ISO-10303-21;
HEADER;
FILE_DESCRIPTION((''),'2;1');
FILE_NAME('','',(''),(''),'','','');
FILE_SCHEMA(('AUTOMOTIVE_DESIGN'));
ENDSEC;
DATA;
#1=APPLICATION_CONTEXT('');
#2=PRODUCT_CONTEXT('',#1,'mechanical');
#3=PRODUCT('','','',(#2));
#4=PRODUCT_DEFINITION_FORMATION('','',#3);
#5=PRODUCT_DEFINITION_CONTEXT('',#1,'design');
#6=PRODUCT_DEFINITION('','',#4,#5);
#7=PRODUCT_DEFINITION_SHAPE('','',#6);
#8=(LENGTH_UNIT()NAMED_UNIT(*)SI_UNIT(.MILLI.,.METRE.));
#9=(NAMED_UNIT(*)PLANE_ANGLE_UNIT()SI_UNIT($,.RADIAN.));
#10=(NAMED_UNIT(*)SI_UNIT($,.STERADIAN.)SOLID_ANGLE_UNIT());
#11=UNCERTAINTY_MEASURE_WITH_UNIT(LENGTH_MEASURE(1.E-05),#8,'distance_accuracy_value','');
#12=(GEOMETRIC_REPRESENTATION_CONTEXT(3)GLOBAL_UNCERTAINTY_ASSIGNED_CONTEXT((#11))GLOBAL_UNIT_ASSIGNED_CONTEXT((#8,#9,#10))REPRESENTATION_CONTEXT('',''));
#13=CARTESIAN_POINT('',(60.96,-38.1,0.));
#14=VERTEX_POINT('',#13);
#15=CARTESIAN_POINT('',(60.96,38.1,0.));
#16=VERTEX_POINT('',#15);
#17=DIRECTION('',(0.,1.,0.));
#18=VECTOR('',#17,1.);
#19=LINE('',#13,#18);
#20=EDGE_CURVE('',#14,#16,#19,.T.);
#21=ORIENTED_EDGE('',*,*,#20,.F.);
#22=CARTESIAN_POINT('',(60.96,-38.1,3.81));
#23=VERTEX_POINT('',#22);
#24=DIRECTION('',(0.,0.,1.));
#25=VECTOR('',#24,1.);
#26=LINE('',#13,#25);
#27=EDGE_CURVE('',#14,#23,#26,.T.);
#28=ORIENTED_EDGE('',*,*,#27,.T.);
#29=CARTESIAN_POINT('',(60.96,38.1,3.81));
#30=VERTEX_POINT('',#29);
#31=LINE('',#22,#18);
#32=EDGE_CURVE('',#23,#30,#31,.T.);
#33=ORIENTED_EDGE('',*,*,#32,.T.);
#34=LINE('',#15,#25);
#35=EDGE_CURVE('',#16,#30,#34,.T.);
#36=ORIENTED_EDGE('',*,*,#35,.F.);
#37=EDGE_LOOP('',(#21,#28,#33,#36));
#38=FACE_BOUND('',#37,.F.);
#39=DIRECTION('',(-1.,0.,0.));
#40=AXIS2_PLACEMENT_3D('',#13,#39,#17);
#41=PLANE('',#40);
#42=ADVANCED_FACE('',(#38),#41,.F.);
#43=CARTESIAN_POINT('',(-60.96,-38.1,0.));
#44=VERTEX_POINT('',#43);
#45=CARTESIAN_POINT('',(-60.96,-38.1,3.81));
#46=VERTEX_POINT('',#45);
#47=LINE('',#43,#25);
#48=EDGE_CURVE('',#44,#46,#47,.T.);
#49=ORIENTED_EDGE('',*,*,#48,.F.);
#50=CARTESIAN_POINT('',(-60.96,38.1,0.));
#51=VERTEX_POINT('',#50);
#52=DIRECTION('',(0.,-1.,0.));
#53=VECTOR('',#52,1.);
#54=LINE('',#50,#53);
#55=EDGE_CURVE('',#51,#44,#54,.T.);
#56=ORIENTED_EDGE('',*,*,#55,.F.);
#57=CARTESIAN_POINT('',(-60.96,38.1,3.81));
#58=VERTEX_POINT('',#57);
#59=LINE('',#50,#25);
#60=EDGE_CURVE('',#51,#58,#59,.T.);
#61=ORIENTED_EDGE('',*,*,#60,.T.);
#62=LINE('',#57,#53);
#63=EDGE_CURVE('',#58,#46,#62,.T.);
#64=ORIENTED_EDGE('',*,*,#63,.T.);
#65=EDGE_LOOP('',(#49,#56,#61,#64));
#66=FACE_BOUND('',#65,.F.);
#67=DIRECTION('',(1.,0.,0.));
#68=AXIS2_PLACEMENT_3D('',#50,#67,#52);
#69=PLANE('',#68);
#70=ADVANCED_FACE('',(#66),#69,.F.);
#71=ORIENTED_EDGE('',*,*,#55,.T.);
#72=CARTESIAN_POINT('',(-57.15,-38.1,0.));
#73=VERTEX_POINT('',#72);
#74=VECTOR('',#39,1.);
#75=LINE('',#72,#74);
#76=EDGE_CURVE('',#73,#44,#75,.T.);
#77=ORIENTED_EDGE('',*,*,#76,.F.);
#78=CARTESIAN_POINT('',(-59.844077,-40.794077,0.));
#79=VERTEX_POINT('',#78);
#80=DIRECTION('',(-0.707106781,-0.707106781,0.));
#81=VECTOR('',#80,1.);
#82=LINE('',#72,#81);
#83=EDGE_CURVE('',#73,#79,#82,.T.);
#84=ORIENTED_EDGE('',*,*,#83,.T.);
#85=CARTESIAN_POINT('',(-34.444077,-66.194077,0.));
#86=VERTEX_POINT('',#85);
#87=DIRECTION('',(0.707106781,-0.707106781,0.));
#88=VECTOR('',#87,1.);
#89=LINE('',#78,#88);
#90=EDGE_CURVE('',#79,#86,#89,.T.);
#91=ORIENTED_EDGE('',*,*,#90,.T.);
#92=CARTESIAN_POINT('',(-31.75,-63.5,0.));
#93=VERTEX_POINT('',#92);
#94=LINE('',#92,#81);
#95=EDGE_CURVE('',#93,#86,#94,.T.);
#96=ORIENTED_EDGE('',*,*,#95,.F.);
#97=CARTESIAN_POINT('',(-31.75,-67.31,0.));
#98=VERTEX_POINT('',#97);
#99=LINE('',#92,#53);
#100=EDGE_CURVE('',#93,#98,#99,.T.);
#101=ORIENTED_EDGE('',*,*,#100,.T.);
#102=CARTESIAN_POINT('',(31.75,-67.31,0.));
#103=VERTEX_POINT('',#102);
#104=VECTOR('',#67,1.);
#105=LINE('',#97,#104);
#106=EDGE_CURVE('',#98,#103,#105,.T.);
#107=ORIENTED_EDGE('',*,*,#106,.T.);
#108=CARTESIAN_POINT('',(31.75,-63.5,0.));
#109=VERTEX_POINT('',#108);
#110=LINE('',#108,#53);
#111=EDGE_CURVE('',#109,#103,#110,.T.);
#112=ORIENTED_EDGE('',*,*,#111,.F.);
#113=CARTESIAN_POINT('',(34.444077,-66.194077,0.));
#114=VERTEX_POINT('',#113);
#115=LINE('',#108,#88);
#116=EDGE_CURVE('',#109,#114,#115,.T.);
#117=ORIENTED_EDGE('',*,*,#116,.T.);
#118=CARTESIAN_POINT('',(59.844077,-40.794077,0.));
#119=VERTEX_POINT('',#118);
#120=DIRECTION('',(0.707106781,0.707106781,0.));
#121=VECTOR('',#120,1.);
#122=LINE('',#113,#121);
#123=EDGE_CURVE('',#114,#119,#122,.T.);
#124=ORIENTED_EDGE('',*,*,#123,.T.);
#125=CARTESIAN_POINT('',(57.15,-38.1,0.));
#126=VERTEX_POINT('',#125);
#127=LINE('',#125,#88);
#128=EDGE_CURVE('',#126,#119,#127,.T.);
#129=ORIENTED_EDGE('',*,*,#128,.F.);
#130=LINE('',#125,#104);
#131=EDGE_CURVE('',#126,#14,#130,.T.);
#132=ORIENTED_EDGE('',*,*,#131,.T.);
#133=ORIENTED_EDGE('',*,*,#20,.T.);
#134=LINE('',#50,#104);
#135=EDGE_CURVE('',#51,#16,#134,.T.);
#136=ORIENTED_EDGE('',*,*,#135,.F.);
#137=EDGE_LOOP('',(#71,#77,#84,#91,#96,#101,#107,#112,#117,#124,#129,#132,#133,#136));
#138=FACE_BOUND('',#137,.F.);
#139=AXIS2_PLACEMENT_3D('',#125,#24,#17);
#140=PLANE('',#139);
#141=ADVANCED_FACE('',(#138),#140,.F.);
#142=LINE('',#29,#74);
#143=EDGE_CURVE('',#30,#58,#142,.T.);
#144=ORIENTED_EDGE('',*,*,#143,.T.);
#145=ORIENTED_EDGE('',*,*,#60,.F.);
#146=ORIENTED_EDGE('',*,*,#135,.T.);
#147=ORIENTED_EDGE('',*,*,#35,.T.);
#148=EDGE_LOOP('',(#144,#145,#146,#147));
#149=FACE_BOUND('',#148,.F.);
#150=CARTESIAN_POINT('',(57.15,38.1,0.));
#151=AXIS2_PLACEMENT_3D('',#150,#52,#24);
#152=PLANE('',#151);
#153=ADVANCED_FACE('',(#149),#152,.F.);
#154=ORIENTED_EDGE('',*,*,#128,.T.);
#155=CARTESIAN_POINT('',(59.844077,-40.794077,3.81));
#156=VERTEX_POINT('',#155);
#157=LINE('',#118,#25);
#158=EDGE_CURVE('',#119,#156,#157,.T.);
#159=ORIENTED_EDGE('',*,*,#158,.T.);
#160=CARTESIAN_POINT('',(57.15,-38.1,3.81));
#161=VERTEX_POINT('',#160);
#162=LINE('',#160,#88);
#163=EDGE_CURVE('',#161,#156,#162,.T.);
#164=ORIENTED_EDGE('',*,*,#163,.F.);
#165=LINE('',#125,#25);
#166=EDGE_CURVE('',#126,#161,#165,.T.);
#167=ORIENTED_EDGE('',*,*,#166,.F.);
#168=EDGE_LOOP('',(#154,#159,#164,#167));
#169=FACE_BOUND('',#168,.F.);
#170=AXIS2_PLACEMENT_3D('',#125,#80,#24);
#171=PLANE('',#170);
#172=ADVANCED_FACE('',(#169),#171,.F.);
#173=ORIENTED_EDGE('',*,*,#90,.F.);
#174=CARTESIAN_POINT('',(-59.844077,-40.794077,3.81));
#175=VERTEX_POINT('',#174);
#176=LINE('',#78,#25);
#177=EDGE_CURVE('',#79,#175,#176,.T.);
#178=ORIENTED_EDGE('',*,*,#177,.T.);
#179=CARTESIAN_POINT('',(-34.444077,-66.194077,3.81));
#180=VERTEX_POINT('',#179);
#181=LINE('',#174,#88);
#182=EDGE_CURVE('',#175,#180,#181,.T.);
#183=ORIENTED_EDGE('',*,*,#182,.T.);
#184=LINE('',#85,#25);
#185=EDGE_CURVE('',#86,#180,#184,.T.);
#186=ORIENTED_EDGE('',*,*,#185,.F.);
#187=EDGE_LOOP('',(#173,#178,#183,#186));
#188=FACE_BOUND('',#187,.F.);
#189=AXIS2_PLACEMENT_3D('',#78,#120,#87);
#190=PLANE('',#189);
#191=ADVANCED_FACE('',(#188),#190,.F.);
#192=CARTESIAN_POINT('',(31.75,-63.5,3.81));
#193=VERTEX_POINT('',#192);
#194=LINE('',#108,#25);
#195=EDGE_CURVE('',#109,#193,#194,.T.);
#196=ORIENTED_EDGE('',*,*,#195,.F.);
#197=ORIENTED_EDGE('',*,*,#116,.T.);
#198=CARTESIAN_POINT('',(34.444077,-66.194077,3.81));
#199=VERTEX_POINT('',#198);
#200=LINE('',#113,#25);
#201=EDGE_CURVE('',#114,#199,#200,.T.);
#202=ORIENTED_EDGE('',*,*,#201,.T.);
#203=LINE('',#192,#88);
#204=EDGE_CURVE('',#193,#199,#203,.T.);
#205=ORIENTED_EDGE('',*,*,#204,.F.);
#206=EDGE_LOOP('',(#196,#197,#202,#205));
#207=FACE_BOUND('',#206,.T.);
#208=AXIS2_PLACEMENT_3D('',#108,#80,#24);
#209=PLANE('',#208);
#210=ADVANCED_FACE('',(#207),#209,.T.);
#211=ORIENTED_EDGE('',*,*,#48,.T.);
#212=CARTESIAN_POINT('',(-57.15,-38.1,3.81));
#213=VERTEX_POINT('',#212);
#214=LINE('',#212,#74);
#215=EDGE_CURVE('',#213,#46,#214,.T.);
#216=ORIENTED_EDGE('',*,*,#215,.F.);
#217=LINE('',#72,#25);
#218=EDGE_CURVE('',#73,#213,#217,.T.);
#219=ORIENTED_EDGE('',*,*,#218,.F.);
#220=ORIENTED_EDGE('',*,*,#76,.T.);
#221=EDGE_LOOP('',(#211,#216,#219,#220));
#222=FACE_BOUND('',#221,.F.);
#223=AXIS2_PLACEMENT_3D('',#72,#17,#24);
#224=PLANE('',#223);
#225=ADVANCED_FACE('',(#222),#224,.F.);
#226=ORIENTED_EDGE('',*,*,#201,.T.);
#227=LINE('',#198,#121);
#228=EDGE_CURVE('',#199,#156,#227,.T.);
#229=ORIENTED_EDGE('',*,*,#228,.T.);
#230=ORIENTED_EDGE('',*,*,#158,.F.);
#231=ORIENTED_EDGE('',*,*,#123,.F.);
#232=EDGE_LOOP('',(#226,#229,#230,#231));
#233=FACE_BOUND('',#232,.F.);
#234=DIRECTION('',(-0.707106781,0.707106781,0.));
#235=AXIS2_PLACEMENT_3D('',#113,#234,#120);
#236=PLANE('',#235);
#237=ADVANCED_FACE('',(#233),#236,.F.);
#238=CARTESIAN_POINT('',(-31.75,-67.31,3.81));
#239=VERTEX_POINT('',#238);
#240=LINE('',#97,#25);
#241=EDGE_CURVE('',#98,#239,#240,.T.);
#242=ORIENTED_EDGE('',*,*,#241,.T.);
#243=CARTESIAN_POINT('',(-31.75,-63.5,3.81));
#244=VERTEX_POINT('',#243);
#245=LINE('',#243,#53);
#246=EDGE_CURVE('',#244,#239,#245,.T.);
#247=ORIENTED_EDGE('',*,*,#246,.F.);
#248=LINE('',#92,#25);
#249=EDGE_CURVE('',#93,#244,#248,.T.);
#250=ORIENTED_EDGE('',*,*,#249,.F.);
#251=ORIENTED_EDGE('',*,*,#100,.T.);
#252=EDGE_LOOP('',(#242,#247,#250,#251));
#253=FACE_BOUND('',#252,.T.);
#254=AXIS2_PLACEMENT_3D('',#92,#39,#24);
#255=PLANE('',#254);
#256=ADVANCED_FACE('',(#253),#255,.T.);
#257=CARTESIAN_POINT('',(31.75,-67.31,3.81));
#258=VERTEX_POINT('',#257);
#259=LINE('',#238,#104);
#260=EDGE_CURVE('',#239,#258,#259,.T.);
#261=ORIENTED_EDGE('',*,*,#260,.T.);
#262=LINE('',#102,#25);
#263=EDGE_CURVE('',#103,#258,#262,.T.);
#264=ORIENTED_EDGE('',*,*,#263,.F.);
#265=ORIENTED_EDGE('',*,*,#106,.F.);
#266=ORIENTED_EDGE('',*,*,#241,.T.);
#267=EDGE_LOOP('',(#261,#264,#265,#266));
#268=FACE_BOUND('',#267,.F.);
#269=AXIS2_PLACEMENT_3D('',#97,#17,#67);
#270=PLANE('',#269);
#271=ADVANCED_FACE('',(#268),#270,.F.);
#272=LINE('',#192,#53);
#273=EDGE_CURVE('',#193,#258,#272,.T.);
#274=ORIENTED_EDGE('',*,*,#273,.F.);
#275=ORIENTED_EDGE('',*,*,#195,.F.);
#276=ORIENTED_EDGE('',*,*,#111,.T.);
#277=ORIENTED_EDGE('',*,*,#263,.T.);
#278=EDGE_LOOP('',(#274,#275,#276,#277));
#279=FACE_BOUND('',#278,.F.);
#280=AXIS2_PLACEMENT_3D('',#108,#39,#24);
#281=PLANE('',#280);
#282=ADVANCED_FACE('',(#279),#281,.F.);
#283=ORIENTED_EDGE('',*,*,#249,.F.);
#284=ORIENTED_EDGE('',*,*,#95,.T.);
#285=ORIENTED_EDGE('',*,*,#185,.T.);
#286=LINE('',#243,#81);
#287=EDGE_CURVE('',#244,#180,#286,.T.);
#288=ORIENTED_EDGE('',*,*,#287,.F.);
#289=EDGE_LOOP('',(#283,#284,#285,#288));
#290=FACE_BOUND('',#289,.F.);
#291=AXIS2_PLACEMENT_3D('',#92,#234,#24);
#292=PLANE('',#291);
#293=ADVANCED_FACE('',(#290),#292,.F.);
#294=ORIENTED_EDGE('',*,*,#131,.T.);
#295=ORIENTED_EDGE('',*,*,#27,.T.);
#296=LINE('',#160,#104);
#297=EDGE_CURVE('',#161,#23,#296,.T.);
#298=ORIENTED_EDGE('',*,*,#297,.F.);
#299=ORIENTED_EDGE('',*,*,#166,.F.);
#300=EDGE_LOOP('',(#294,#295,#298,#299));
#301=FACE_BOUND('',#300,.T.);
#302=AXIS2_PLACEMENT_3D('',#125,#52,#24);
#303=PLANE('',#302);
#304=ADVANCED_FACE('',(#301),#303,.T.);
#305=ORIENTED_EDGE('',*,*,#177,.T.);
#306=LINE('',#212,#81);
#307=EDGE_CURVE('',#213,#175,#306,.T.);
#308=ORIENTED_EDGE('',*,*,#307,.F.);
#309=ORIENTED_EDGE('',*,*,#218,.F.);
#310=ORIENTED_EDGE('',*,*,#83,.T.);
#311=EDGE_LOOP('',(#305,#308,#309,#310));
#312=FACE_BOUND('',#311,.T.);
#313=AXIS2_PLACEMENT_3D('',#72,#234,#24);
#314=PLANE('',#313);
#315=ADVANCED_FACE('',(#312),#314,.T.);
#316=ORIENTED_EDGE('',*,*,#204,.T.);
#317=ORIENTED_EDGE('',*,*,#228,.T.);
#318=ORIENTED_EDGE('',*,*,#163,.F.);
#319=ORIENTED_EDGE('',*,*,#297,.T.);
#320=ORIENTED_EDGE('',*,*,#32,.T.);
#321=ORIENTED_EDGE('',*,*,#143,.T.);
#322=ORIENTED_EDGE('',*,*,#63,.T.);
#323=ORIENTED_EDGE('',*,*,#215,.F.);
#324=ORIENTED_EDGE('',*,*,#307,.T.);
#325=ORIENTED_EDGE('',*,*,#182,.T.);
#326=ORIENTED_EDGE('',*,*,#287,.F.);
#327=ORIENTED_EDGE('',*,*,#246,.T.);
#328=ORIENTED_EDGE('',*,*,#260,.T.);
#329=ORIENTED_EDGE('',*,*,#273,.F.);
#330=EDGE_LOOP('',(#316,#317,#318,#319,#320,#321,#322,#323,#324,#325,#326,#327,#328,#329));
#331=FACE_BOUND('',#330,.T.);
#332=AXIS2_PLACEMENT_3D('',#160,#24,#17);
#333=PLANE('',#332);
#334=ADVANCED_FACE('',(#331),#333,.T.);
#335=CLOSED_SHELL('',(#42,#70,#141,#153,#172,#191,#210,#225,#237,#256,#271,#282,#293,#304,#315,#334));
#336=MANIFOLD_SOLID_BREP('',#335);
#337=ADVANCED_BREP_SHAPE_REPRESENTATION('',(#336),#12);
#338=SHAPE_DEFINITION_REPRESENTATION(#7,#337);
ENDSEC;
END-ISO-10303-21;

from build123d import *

# Parameters (mm, degrees)
F1_DEPTH = 3.81
F2_DEPTH = 3.81
F3_DEPTH = 3.81
F4_DEPTH = 3.81
F5_DEPTH = 3.81
F6_DEPTH = 3.81


with BuildPart() as f1:
    # F0 (on Top) → F1 (new body)
    with BuildSketch(Plane.XY):
        Polygon((57.15, -38.1), (57.15, 38.1), (-57.15, 38.1), (-57.15, -38.1), (-31.75, -63.5), (0, -63.5), (31.75, -63.5), align=None)
    extrude(amount=F1_DEPTH)

    # F2 (add): a face of the model
    f2_faces = [f1.faces().sort_by_distance(p)[0] for p in [
        (0, -63.5, 1.905),
    ]]
    extrude(f2_faces, amount=F2_DEPTH)

    # F3 (add): a face of the model
    f3_faces = [f1.faces().sort_by_distance(p)[0] for p in [
        (44.45, -50.8, 1.905),
    ]]
    extrude(f3_faces, amount=F3_DEPTH)

    # F4 (add): a face of the model
    f4_faces = [f1.faces().sort_by_distance(p)[0] for p in [
        (-44.45, -50.8, 1.905),
    ]]
    extrude(f4_faces, amount=F4_DEPTH)

    # F5 (add): a face of the model
    f5_faces = [f1.faces().sort_by_distance(p)[0] for p in [
        (-57.15, 0, 1.905),
    ]]
    extrude(f5_faces, amount=F5_DEPTH)

    # F6 (add): a face of the model
    f6_faces = [f1.faces().sort_by_distance(p)[0] for p in [
        (57.15, 0, 1.905),
    ]]
    extrude(f6_faces, amount=F6_DEPTH)


solid = f1.part
